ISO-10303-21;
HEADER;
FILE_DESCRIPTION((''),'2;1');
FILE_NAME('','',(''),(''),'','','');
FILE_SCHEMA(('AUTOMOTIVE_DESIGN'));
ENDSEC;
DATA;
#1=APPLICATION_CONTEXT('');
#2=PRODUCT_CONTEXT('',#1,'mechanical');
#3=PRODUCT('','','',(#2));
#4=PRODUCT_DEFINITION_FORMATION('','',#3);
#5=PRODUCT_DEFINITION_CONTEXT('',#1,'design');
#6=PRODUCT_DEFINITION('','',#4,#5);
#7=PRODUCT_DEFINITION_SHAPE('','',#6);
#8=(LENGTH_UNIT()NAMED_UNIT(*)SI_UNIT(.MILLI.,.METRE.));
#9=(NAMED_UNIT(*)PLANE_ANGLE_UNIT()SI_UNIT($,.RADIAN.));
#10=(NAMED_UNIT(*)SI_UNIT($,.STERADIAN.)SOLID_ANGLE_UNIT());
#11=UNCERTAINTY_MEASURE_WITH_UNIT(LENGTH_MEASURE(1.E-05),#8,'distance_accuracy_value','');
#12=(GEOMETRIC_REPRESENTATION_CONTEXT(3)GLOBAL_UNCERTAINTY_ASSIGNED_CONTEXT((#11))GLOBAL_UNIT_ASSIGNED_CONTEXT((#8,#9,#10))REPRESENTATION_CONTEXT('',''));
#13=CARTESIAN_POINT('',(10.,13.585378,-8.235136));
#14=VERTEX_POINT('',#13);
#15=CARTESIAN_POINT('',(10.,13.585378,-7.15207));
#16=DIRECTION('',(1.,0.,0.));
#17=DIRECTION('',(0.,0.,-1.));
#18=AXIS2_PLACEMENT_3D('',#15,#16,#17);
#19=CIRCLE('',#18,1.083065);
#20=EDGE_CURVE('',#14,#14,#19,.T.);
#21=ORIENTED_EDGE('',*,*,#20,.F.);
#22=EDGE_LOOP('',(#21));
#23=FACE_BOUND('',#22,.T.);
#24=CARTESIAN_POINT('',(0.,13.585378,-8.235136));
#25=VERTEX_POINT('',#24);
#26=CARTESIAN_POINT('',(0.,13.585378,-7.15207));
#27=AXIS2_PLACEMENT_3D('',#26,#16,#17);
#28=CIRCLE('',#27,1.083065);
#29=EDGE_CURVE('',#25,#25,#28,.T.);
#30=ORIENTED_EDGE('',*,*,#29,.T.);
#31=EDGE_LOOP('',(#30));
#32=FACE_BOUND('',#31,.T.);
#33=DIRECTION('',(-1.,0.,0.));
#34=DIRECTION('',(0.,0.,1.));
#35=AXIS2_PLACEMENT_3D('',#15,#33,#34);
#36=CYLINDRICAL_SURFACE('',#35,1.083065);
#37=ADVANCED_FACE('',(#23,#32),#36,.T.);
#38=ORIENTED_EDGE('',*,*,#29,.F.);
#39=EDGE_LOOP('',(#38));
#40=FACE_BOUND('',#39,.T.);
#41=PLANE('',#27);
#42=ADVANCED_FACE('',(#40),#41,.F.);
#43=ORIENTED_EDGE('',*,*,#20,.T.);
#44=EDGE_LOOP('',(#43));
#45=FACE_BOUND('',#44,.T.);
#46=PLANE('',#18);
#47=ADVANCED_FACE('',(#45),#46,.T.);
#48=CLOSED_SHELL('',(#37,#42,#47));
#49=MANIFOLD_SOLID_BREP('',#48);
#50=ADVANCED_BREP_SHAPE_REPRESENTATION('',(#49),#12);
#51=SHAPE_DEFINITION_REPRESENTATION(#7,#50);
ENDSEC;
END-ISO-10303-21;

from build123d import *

# Parameters (mm, degrees)
SKETCH2_R           = 1.083065324
BOSS_EXTRUDE1_DEPTH = 10


with BuildPart() as part:
    # Sketch2 → Boss-Extrude1 (new body)
    with BuildSketch(Plane(origin=(0, 0, 0), x_dir=(0, 0, -1), z_dir=(1, 0, 0))):
        with Locations((7.152070217, 13.585377771)):
            Circle(SKETCH2_R)
    extrude(amount=BOSS_EXTRUDE1_DEPTH)


solid = part.part
